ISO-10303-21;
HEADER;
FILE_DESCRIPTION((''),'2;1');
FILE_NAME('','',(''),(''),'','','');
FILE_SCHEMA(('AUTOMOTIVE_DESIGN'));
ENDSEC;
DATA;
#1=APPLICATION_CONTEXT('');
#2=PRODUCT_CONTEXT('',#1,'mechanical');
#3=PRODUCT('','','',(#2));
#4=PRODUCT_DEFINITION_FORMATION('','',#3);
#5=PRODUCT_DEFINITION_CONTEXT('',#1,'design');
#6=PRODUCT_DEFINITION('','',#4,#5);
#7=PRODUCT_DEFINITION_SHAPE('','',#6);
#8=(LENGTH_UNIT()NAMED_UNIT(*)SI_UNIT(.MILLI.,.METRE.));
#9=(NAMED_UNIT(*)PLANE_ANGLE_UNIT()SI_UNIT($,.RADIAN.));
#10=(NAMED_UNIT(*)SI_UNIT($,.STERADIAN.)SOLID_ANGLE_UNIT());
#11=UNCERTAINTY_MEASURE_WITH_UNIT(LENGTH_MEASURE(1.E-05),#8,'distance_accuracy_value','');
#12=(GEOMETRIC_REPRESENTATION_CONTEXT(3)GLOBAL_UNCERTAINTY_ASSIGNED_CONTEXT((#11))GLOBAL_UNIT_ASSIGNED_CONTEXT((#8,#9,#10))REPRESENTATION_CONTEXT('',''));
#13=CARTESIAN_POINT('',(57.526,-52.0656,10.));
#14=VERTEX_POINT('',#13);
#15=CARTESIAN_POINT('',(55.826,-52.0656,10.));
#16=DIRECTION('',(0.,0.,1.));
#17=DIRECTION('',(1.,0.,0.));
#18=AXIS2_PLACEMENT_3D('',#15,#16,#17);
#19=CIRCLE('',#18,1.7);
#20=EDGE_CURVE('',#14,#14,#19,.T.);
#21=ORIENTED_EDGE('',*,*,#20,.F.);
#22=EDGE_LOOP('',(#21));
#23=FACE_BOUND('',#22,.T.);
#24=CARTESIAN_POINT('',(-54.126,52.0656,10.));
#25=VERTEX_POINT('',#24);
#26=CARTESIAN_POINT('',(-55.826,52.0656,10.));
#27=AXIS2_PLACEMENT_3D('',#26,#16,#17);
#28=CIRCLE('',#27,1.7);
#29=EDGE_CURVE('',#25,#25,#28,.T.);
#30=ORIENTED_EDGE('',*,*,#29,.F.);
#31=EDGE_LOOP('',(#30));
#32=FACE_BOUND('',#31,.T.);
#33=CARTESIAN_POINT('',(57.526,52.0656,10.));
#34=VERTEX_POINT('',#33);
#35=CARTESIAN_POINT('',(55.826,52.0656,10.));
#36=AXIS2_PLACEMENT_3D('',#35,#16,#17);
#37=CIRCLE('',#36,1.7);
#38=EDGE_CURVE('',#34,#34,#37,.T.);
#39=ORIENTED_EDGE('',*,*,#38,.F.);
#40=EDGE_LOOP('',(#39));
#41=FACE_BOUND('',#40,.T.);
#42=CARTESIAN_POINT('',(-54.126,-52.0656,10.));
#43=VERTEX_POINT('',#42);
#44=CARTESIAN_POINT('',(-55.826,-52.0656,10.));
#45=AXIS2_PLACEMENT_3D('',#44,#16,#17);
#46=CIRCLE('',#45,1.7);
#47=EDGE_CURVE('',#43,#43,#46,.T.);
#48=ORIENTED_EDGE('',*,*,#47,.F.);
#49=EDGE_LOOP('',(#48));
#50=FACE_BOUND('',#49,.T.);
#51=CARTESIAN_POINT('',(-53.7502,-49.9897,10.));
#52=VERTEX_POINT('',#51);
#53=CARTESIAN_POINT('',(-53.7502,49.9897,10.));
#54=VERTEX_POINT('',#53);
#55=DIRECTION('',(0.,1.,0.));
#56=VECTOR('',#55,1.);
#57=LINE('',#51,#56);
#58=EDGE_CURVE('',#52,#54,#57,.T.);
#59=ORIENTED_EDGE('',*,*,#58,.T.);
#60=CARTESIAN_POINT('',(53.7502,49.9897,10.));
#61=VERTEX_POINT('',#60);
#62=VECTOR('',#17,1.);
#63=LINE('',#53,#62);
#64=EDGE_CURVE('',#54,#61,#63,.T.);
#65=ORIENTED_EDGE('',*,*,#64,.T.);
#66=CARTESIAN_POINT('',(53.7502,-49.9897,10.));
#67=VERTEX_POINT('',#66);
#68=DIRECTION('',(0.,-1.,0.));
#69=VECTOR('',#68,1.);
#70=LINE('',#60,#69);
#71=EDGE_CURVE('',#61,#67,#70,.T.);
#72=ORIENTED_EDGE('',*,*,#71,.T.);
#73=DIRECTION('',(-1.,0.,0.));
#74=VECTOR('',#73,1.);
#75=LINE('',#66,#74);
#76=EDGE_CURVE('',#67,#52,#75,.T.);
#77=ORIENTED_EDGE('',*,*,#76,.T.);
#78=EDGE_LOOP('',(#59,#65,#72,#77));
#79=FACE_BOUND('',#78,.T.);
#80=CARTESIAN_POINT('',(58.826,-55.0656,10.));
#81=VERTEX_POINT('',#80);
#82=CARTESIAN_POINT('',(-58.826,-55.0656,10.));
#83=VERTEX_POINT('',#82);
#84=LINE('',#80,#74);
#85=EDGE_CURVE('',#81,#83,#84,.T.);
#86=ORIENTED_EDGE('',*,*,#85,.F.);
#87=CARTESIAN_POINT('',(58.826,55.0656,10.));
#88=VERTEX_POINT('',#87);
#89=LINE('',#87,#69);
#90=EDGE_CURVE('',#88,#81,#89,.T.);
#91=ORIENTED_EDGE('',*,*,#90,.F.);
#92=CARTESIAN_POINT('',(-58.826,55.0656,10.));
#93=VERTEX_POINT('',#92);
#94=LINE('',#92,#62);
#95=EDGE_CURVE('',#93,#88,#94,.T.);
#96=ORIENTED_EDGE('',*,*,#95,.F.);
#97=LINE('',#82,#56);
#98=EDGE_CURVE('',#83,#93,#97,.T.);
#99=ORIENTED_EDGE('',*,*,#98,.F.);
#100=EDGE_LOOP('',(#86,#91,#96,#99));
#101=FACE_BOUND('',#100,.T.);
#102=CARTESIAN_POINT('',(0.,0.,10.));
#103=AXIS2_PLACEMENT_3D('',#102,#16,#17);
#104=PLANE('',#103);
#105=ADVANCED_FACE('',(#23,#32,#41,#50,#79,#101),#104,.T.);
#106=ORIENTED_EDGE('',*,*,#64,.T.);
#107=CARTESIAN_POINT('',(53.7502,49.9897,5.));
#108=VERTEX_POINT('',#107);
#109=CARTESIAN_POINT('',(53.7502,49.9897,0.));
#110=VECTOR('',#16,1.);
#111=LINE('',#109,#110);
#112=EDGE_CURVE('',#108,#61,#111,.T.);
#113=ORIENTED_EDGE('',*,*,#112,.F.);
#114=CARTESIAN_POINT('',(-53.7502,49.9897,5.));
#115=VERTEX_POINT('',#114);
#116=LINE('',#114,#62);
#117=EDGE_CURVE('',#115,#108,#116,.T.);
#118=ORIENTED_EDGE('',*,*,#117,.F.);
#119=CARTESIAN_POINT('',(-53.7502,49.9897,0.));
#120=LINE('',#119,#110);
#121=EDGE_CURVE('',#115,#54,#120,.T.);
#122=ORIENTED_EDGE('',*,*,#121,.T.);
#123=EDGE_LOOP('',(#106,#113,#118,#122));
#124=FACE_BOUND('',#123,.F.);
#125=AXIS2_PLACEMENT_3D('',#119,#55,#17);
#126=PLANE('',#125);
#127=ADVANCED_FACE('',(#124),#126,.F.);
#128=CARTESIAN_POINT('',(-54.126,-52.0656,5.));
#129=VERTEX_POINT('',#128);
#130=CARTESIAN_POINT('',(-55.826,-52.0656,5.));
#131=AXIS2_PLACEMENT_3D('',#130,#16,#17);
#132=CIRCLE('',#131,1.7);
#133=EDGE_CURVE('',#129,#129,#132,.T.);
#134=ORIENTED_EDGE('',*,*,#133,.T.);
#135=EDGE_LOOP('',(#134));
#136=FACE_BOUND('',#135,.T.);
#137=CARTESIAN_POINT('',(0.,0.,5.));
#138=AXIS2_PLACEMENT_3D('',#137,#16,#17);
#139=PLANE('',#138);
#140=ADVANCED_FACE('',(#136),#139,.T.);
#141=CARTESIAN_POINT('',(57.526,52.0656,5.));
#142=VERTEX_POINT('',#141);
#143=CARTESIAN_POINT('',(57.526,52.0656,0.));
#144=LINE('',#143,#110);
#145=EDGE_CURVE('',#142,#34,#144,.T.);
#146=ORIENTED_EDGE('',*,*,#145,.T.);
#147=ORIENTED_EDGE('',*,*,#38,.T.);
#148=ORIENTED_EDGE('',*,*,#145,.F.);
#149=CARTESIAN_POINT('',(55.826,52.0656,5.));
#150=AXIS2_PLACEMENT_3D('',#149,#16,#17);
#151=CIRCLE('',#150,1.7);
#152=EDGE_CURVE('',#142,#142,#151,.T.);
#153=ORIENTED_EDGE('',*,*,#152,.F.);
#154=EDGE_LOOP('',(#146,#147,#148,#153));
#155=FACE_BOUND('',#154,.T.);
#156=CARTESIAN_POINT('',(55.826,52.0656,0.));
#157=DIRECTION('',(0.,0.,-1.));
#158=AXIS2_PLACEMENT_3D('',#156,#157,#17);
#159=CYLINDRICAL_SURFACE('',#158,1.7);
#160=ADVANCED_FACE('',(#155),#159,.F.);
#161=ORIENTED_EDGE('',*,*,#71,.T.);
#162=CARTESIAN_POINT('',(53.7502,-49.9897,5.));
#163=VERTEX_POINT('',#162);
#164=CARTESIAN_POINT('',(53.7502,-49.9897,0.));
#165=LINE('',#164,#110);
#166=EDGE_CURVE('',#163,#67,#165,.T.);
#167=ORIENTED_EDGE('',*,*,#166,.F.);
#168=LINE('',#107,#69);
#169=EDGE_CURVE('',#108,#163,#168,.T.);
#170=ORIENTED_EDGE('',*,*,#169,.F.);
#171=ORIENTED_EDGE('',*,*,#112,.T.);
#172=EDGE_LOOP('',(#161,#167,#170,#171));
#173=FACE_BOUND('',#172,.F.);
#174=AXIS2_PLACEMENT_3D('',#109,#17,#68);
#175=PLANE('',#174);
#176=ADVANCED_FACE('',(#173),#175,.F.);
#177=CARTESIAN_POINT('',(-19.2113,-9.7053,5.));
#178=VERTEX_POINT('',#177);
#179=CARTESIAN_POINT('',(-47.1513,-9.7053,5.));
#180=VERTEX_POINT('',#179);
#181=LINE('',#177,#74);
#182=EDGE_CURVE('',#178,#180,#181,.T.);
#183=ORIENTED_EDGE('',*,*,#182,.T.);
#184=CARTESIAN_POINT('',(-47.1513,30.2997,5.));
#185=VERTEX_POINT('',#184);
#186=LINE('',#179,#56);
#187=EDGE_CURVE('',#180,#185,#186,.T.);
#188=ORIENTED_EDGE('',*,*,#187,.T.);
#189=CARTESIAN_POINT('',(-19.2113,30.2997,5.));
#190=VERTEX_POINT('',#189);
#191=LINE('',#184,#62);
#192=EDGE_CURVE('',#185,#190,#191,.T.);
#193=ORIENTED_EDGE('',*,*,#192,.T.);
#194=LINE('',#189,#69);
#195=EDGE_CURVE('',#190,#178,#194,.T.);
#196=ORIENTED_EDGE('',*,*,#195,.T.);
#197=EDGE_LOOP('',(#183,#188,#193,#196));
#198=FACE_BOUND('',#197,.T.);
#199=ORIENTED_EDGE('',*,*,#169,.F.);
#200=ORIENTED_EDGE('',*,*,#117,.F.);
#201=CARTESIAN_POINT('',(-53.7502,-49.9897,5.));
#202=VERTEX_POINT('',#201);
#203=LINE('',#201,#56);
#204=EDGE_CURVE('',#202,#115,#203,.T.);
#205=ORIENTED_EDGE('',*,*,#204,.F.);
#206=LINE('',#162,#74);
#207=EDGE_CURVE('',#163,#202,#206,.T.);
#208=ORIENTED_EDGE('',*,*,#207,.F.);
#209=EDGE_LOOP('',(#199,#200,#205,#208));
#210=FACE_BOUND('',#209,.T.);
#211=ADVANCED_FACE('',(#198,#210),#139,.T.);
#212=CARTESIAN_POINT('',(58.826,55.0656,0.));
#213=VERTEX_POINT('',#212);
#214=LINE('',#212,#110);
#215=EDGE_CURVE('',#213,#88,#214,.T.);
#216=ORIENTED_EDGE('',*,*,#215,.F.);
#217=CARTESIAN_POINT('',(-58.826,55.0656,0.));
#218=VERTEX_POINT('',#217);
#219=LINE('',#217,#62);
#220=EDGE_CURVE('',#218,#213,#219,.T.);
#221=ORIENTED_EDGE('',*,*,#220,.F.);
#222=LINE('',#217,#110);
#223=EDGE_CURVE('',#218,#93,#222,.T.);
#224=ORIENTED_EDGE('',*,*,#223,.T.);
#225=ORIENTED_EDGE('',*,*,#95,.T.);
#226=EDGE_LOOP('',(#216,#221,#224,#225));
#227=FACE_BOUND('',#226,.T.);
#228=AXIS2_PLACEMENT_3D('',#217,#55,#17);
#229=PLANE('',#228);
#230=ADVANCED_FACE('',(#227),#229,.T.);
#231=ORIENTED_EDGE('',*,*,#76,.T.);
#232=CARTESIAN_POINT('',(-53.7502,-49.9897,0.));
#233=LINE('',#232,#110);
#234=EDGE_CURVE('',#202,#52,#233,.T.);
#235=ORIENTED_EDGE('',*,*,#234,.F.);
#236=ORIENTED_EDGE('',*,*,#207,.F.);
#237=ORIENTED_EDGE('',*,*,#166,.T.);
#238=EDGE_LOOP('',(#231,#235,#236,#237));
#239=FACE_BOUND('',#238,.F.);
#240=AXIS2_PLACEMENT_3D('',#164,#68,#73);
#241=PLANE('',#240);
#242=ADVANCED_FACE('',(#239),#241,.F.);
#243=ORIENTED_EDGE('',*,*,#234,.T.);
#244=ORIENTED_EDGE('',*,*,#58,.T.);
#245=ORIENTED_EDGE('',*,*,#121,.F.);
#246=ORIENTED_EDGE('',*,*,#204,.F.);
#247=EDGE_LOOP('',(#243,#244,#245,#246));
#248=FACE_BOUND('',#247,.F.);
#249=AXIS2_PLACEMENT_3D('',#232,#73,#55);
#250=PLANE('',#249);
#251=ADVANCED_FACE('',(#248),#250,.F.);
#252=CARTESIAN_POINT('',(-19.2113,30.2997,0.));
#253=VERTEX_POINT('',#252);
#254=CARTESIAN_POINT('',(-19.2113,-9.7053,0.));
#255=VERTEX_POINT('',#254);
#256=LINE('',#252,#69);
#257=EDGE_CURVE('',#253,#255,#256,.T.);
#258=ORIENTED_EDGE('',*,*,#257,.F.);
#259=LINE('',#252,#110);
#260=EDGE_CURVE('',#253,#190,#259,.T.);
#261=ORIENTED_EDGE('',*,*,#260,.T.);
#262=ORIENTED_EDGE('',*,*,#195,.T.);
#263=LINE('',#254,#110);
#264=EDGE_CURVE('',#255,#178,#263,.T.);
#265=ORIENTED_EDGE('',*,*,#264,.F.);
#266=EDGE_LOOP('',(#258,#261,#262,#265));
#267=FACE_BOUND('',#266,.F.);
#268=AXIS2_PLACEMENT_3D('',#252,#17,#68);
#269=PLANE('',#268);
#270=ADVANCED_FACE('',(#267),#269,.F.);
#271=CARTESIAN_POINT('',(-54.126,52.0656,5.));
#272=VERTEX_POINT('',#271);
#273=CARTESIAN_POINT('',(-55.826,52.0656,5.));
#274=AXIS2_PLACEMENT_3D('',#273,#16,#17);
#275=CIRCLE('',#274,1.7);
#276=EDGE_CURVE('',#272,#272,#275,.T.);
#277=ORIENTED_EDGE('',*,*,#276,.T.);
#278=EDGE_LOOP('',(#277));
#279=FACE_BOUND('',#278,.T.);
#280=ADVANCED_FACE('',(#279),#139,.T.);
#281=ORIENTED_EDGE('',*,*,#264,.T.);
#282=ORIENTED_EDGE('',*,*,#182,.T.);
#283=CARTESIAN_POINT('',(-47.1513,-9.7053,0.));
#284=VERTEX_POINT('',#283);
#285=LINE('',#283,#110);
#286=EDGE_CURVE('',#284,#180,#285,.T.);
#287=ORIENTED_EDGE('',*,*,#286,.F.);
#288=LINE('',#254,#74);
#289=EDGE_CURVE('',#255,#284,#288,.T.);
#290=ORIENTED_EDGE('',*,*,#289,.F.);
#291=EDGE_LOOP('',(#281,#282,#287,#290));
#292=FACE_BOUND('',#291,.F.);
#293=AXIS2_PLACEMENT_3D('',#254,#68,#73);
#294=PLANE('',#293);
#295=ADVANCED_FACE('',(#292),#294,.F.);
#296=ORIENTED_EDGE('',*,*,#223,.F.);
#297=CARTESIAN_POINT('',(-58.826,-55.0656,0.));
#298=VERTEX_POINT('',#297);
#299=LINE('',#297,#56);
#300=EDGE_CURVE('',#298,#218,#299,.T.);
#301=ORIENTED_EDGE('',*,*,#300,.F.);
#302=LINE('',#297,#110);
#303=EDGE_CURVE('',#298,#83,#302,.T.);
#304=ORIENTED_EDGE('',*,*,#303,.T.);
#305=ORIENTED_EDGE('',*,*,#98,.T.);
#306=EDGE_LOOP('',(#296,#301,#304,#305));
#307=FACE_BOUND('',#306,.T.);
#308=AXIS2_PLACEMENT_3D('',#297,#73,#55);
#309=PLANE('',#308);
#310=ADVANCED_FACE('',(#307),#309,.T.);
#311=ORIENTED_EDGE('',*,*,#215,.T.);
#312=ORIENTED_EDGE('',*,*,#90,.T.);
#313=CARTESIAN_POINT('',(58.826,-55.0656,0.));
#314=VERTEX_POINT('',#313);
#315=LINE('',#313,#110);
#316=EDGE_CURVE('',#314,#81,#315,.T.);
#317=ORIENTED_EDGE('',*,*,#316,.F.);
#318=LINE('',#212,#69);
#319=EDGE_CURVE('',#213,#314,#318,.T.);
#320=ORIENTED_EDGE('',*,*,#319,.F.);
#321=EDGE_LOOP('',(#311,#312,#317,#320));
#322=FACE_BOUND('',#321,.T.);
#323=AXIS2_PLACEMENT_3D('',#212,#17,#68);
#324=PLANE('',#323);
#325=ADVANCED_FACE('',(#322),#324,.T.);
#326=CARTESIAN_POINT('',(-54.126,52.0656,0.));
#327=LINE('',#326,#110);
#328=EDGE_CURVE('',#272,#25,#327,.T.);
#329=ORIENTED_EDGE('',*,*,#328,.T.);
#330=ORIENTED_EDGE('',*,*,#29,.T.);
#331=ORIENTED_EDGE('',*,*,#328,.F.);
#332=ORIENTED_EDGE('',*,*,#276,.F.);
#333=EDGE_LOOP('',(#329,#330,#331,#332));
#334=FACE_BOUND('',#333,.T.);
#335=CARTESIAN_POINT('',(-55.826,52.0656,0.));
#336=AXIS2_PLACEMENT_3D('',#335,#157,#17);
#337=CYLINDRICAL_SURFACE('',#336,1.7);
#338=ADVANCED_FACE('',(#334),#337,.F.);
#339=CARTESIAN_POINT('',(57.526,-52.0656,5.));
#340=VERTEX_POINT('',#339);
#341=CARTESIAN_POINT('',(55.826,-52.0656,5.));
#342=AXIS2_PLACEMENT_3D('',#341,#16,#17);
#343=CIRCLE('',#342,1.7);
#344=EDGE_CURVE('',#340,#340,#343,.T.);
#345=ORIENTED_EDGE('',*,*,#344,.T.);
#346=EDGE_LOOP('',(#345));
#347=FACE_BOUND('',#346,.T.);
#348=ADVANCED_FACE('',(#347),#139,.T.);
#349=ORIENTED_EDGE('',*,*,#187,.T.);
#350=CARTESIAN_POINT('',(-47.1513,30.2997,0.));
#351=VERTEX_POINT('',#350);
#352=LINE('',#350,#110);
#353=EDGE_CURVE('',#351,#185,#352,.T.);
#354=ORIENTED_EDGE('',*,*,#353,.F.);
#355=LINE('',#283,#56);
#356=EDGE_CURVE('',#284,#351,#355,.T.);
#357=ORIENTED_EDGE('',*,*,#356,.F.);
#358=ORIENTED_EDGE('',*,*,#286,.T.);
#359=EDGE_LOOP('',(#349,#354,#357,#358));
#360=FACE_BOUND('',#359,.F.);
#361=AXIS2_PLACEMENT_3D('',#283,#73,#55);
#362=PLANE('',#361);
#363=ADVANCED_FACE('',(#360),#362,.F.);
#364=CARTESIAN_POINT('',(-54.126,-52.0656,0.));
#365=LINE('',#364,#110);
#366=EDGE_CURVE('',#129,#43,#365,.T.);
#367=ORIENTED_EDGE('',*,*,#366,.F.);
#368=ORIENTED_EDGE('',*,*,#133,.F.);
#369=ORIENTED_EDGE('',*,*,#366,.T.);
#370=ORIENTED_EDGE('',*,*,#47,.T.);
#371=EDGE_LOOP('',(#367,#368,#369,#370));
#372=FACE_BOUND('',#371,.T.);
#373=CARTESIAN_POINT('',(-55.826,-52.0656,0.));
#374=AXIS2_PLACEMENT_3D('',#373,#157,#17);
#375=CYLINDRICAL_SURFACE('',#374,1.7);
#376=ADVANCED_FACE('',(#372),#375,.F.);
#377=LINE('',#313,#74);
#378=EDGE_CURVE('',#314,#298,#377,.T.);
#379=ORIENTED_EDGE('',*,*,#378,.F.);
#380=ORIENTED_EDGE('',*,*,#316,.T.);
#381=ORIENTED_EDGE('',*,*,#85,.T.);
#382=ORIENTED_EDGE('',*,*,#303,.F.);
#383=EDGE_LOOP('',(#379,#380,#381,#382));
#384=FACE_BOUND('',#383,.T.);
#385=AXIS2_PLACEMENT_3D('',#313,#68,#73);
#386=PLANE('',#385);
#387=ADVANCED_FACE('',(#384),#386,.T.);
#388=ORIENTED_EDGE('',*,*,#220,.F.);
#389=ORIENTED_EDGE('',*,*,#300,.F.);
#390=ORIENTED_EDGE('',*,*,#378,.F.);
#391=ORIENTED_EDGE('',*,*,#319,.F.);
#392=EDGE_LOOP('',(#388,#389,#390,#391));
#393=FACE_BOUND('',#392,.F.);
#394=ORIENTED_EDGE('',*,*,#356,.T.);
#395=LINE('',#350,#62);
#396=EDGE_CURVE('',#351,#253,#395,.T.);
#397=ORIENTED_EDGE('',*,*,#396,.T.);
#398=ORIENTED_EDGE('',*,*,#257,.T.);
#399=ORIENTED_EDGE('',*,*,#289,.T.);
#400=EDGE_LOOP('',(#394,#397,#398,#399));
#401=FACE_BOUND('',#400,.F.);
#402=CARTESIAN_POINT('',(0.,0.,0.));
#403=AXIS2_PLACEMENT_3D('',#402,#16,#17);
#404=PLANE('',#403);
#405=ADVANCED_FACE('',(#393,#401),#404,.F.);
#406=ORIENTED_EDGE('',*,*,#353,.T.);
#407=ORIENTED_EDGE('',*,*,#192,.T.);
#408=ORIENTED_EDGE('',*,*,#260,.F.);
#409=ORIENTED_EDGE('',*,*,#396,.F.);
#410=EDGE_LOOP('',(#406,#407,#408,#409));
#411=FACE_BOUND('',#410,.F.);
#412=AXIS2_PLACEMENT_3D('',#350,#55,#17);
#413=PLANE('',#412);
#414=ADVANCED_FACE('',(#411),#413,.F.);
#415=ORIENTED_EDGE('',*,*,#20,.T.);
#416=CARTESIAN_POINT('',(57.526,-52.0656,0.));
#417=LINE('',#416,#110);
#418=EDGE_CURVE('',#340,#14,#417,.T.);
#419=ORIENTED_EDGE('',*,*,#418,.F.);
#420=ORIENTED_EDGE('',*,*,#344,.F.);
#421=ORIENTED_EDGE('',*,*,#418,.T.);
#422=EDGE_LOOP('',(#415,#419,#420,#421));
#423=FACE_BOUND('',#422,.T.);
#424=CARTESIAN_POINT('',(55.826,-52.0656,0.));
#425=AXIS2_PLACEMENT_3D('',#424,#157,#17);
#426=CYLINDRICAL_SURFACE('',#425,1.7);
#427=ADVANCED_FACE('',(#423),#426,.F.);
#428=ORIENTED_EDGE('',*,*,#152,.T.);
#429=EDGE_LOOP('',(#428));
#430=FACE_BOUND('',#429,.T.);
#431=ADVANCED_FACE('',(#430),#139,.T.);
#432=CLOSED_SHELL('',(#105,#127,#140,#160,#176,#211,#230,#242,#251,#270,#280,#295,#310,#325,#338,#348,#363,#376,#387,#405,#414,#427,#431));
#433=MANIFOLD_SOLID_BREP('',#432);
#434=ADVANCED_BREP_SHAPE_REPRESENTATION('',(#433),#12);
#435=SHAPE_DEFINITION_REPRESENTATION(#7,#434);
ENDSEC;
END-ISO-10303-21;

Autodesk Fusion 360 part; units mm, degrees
sketch "Sketch1" plane through (0, 0, 0) normal (0, 0, 1) x (1, 0, 0)
  line L0 (53.7502, -49.9897) -> (-53.7502, -49.9897)
  line L1 (-53.7502, -49.9897) -> (-53.7502, 49.9897)
  line L2 (-53.7502, 49.9897) -> (53.7502, 49.9897)
  line L3 (53.7502, 49.9897) -> (53.7502, -49.9897)
  line L4 (53.7502, -49.9897) -> (-53.7502, 49.9897) construction
  line L5 (-53.7502, -49.9897) -> (53.7502, 49.9897) construction
  line L6 (58.826, -55.0656) -> (-58.826, -55.0656)
  line L7 (-58.826, -55.0656) -> (-58.826, 55.0656)
  line L8 (-58.826, 55.0656) -> (58.826, 55.0656)
  line L9 (58.826, 55.0656) -> (58.826, -55.0656)
  circle A0 centre (-55.826, 52.0656) radius 1.7
  circle A1 centre (-55.826, 52.0656) radius 1.7
  circle A2 centre (55.826, 52.0656) radius 1.7
  circle A3 centre (55.826, -52.0656) radius 1.7
  circle A4 centre (-55.826, -52.0656) radius 1.7
  line L10 (-47.1513, 30.2997) -> (-19.2113, 30.2997)
  line L11 (-19.2113, 30.2997) -> (-19.2113, -9.7053)
  line L12 (-19.2113, -9.7053) -> (-47.1513, -9.7053)
  line L13 (-47.1513, -9.7053) -> (-47.1513, 30.2997)
  dimension "d1" = 107.5004
  dimension "d2" = 99.9795
  dimension "d3" = -5.0758
  dimension "d4" = 3.4
  dimension "d5" = 3
  dimension "d6" = 3
  dimension "d7" = 3.4
  dimension "d8" = 3.4
  dimension "d9" = 3
  dimension "d10" = 3
  dimension "d11" = 3.4
  dimension "d12" = 3
  dimension "d13" = 3
  dimension "d14" = 3.4
  dimension "d15" = 3
  dimension "d16" = 3
  dimension "d17" = 6.5989
  dimension "d18" = 19.6901
  dimension "d19" = 27.94
  dimension "d20" = 40.005
extrude "Extrude1" add sketch "Sketch1" along normal blind 5 contours L0 L1 L2 L3
extrude "Extrude2" add sketch "Sketch1" along normal blind 10 contours L6 L7 L8 L9
extrude "Extrude3" add sketch "Sketch1" along normal blind 5 contours A0 A1 | A2 | A3 | A4
